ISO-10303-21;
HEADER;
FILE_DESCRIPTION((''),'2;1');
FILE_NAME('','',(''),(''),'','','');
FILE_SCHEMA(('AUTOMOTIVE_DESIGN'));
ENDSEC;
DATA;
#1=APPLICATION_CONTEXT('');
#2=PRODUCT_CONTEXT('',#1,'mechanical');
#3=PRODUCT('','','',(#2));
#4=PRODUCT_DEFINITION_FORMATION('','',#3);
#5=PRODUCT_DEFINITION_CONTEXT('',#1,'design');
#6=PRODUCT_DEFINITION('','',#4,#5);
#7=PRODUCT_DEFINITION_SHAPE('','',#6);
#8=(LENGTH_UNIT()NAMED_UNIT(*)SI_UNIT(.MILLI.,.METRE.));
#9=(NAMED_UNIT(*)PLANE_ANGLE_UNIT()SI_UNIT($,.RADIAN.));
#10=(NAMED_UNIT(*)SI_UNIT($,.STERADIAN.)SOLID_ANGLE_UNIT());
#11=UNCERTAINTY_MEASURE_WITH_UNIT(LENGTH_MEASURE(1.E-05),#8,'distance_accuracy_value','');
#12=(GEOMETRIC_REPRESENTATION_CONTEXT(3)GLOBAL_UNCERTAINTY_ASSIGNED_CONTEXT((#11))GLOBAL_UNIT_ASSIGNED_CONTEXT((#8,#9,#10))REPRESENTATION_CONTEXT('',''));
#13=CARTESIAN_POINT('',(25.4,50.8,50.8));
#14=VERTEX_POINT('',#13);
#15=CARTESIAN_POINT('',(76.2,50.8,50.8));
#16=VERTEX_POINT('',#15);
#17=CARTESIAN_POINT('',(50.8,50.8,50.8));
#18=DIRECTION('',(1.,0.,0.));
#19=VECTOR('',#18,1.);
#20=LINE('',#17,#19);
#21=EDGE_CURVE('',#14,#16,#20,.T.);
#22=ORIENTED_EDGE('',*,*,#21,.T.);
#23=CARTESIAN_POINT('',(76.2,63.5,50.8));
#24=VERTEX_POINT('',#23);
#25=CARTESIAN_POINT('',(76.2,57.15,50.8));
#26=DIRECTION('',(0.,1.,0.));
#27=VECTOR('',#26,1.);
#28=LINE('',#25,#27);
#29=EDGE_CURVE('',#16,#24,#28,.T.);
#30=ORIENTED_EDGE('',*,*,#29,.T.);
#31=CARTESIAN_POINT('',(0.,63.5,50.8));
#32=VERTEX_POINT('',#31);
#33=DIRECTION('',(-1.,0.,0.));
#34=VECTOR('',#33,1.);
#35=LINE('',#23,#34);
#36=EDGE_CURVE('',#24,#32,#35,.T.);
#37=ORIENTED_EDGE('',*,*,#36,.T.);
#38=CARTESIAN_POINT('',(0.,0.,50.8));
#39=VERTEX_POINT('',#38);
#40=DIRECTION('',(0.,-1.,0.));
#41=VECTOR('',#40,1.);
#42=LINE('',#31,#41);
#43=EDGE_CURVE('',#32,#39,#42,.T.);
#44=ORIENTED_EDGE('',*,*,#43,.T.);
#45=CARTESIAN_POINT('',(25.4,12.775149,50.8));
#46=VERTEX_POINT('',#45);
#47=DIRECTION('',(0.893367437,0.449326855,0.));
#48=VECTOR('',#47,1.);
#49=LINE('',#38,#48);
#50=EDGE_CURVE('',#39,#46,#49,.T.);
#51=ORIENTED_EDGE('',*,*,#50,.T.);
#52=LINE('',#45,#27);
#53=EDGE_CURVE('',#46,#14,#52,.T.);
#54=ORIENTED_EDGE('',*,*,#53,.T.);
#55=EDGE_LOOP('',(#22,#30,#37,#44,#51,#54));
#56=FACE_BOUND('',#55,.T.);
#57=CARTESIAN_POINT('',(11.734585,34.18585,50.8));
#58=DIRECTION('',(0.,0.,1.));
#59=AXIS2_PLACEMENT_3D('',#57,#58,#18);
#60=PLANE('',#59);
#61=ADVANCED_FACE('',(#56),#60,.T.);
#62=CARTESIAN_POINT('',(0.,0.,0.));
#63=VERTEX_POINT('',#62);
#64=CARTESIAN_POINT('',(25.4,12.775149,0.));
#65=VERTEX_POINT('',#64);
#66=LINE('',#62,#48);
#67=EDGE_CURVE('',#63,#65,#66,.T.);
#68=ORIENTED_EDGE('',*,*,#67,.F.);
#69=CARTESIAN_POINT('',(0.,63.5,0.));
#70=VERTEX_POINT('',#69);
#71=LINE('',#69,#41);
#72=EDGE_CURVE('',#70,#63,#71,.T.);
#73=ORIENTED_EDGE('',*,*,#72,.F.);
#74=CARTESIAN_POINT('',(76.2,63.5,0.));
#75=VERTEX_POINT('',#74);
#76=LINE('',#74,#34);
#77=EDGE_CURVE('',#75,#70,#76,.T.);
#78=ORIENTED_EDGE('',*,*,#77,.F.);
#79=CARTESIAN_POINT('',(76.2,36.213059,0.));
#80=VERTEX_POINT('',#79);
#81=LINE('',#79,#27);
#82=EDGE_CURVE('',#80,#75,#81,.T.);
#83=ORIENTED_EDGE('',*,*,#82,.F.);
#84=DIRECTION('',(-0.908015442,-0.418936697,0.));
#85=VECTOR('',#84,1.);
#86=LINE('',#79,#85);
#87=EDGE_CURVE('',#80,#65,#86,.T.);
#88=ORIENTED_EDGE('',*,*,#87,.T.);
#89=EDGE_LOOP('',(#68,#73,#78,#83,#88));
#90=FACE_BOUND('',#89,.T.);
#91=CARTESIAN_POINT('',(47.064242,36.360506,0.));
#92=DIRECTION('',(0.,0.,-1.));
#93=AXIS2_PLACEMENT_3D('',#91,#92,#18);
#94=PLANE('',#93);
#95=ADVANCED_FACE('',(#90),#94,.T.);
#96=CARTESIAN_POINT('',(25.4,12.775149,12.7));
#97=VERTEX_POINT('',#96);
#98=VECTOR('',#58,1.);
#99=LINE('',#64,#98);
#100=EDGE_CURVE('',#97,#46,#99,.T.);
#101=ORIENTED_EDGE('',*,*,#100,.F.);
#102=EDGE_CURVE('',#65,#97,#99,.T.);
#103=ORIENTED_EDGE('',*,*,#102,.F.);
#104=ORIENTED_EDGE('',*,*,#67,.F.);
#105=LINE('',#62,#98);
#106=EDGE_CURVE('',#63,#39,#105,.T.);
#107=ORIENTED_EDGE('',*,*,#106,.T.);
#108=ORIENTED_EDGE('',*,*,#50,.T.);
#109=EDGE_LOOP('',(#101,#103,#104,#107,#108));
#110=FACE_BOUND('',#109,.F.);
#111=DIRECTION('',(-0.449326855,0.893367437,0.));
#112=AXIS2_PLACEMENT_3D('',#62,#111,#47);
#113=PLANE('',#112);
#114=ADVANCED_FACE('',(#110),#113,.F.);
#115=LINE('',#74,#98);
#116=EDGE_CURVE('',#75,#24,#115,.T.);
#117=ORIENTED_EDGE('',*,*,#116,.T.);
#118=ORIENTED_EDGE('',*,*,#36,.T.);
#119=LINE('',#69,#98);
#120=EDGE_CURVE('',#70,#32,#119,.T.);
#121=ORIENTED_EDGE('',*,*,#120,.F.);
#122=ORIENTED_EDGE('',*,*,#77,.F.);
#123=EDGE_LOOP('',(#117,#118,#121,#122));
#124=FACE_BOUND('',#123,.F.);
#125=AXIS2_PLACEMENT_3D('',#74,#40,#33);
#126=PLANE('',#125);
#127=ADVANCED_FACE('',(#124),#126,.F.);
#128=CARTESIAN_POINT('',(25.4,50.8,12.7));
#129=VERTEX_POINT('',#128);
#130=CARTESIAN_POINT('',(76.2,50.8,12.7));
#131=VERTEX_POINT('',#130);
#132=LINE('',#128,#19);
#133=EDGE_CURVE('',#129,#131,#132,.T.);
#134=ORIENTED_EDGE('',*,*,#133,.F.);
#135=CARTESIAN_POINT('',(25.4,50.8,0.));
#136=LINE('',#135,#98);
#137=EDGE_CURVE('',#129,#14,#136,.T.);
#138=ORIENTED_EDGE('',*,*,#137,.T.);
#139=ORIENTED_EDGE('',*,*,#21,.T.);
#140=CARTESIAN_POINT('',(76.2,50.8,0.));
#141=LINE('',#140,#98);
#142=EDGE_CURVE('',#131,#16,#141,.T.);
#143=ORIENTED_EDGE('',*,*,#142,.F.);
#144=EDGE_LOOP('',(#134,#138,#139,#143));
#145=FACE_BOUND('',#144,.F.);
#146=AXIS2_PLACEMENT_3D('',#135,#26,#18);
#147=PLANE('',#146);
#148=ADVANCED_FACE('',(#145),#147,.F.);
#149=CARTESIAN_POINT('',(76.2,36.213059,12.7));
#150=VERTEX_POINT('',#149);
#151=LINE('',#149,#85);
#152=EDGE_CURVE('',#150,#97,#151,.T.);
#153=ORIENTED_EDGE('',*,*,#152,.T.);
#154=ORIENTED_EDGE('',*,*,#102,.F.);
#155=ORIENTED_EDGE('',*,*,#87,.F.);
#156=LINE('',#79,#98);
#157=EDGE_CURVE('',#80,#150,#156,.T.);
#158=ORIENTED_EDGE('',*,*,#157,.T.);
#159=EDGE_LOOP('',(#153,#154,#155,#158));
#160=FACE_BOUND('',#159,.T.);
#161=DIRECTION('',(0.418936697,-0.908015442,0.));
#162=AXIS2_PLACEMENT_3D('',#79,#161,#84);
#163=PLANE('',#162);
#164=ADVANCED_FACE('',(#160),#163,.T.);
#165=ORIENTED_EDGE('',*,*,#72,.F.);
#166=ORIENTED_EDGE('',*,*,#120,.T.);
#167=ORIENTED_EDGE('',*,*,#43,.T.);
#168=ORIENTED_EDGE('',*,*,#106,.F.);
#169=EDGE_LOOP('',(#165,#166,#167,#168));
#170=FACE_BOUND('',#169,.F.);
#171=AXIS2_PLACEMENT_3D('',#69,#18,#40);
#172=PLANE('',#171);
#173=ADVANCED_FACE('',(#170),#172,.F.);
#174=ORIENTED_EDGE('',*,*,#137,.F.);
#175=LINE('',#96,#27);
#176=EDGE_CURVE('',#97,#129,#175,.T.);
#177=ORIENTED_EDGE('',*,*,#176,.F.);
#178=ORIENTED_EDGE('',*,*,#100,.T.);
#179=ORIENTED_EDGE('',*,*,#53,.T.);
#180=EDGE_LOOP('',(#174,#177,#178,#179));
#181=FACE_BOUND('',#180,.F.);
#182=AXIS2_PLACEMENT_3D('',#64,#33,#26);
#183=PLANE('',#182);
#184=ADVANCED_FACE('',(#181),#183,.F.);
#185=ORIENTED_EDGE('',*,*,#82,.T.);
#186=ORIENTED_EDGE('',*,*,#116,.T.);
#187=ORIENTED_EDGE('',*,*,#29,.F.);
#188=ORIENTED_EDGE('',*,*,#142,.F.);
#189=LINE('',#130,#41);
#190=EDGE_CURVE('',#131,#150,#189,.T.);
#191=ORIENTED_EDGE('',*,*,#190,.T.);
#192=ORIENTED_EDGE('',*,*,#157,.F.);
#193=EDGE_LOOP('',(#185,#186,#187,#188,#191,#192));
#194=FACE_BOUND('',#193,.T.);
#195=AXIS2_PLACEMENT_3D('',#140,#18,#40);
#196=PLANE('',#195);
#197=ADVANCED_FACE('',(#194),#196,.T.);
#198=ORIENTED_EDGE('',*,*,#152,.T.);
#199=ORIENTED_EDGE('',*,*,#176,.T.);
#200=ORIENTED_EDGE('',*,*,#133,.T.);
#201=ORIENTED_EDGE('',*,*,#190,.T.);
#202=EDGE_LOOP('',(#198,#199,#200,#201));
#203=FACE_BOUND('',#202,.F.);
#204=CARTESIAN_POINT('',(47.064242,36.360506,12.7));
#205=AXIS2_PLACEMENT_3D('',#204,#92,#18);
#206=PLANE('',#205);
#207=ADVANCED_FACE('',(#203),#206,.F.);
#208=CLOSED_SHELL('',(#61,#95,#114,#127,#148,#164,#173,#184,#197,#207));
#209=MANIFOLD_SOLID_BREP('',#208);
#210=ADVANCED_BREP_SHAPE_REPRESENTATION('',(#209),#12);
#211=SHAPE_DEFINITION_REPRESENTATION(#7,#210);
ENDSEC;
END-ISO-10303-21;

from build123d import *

# Parameters (mm, degrees)
F0_W     = 50.8
F0_H     = 12.7
F1_DEPTH = 50.8
F3_DEPTH = 12.7


with BuildPart() as f1:
    # F0 (on Top) → F1 (new body)
    with BuildSketch(Plane.XY):
        Polygon((0, 63.5), (0, 0), (25.4, 12.775149), (25.4, 50.8), (25.4, 63.5), align=None)
        with Locations((50.8, 57.15)):
            Rectangle(F0_W, F0_H)
    extrude(amount=F1_DEPTH)

    # F2 (on face) → F3 (join)
    with BuildSketch(Plane(origin=(0, 0, 0), x_dir=(1, 0, 0), z_dir=(0, 0, -1))):
        Polygon((76.2, -36.213059), (25.4, -12.775149), (25.4, -50.8), (76.2, -50.8), align=None)
    extrude(amount=-F3_DEPTH)


solid = f1.part
